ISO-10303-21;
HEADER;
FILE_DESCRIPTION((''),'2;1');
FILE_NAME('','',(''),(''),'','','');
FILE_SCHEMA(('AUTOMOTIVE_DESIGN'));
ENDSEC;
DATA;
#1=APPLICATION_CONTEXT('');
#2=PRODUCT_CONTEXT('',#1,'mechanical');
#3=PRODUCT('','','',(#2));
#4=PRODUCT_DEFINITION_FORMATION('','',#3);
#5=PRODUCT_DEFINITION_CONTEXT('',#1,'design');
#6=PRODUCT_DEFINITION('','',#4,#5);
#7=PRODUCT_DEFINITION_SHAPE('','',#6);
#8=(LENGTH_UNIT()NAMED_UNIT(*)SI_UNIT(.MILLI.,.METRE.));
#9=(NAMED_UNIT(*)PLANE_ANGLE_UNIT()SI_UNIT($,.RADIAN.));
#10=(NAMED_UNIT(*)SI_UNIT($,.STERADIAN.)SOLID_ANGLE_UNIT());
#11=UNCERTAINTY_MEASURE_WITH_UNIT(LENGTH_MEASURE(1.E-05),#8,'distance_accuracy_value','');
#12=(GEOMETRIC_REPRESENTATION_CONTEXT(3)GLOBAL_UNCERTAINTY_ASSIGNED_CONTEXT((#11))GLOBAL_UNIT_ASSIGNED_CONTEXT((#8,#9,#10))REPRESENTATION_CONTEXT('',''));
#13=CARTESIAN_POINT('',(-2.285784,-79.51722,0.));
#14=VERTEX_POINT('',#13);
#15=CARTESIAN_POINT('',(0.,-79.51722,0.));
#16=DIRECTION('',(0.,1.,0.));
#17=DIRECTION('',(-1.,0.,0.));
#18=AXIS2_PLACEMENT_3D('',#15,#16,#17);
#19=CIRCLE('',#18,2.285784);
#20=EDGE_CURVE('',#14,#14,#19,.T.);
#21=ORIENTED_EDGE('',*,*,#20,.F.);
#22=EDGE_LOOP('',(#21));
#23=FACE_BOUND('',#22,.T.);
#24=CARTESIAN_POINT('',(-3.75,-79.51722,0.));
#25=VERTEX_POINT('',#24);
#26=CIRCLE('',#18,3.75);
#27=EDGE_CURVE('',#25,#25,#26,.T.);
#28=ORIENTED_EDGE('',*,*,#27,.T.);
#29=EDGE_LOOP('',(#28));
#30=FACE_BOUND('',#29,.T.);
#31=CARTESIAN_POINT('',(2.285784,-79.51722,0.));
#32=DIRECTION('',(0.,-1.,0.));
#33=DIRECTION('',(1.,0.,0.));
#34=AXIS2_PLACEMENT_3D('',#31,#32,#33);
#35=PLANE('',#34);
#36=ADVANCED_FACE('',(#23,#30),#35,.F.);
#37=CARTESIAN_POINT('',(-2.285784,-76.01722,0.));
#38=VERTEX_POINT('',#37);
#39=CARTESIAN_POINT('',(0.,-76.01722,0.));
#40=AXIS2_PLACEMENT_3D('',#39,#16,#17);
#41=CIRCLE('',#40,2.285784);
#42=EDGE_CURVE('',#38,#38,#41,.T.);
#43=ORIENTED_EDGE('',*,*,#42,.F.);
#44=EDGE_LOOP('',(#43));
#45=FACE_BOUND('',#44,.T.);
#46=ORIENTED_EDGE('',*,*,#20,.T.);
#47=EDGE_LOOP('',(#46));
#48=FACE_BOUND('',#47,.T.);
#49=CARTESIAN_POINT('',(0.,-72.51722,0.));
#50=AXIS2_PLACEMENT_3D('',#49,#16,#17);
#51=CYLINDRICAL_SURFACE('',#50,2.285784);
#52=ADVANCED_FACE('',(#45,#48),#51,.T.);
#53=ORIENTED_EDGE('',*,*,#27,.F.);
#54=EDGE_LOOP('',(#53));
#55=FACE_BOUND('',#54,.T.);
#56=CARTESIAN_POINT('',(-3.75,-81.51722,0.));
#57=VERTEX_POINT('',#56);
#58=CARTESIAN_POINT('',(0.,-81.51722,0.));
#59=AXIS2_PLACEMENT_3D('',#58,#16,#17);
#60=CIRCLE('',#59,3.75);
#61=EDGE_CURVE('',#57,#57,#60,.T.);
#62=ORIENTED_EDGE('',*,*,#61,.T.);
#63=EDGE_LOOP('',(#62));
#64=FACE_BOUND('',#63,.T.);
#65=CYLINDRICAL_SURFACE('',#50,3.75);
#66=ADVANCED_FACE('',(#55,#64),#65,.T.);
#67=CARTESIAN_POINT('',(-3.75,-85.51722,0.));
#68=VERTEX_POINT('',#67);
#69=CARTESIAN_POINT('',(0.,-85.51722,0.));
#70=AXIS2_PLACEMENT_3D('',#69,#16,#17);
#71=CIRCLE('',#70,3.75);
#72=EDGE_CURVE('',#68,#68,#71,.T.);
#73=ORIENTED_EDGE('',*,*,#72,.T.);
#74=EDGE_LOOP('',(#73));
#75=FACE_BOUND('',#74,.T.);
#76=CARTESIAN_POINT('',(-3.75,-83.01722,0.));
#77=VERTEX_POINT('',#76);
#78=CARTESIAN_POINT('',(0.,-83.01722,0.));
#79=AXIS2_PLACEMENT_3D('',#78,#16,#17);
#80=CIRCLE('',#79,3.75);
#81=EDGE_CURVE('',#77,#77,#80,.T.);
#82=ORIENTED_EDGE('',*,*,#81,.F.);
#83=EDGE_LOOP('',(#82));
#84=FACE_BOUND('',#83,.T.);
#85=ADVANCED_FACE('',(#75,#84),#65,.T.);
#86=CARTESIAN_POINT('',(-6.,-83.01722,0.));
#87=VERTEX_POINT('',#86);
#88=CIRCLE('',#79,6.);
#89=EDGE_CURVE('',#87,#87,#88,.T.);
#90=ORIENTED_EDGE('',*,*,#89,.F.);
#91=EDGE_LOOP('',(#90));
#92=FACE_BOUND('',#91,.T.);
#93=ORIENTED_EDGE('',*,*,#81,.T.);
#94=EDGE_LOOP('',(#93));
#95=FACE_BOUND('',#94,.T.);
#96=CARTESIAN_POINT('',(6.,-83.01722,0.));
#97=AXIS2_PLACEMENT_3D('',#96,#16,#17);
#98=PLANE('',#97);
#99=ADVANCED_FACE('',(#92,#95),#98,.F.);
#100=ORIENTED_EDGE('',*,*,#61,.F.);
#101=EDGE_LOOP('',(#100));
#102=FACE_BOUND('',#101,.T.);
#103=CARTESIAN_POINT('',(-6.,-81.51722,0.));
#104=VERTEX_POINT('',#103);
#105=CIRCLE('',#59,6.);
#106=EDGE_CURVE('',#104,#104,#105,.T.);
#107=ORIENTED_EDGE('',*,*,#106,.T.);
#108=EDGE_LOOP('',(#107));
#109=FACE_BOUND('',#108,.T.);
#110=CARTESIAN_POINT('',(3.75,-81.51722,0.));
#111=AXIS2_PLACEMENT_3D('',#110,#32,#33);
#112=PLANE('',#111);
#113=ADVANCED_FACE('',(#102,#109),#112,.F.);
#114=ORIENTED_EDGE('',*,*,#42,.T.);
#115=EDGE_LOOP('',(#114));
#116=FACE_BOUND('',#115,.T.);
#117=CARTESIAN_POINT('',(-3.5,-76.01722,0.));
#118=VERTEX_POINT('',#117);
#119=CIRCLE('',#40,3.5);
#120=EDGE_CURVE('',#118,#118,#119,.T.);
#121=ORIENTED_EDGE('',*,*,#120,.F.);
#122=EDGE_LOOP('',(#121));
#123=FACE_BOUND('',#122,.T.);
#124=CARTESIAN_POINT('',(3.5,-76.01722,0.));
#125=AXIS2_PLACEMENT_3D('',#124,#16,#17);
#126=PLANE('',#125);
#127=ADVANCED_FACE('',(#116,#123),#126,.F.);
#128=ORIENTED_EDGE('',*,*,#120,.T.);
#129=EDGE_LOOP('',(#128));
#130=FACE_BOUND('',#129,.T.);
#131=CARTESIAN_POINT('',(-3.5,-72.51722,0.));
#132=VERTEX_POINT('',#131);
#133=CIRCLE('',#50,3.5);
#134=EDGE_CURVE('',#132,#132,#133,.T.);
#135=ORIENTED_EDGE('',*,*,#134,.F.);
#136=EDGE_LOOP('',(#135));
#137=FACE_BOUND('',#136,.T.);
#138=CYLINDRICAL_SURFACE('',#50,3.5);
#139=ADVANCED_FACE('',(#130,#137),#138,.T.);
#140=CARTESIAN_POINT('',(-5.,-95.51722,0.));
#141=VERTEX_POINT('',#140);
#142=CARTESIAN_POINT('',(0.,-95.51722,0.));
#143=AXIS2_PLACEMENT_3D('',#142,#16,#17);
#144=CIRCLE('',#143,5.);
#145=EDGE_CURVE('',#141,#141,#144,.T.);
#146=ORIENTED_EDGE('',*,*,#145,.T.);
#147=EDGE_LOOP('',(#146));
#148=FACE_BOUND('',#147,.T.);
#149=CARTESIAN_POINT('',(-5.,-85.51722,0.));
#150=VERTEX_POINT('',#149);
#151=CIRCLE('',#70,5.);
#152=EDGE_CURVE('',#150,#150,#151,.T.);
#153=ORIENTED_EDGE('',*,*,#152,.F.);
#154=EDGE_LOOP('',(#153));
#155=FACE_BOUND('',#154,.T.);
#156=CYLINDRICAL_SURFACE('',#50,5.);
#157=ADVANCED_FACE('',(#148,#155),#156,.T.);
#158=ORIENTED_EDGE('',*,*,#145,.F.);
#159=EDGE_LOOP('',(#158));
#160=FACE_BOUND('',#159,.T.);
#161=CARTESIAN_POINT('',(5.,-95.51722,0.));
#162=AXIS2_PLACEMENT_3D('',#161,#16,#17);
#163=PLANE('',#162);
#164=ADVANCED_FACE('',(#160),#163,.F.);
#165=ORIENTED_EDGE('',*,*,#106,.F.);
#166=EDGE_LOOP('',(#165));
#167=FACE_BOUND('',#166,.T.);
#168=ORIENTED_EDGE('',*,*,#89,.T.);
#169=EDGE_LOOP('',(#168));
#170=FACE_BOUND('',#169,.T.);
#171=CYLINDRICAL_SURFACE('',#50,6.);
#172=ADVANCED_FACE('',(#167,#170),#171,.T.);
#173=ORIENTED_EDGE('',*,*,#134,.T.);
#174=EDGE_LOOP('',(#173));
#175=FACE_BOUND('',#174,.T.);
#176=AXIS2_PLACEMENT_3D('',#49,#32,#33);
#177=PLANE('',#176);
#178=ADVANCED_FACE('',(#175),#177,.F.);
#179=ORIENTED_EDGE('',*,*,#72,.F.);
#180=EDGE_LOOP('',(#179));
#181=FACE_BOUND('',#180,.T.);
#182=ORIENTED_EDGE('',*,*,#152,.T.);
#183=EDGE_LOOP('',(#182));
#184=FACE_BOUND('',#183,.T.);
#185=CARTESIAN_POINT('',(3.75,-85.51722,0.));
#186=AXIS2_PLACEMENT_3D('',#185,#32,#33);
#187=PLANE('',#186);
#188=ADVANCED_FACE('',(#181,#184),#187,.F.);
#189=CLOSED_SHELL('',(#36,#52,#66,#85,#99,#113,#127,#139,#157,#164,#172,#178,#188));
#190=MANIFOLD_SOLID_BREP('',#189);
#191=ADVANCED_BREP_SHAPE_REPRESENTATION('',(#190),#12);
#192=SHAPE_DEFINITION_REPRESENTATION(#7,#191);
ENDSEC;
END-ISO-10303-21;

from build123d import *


with BuildPart() as part:
    # Esquisse1 → Révolution1 (revolve)
    with BuildSketch(Plane.XY, mode=Mode.PRIVATE) as r_volution1_sk:
        Polygon((0, -72.517220377), (3.5, -72.517220377), (3.5, -76.017220377), (2.2857838, -76.017220377), (2.2857838, -79.517220377), (3.75, -79.517220377), (3.75, -81.517220377), (6, -81.517220377), (6, -83.017220377), (3.75, -83.017220377), (3.75, -85.517220377), (5, -85.517220377), (5, -95.517220377), (0, -95.517220377), align=None)
    revolve(r_volution1_sk.sketch.rotate(Axis((0, -72.517220377, 0), (0, -1, 0)), 180), axis=Axis((0, -72.517220377, 0), (0, -1, 0)))


solid = part.part
